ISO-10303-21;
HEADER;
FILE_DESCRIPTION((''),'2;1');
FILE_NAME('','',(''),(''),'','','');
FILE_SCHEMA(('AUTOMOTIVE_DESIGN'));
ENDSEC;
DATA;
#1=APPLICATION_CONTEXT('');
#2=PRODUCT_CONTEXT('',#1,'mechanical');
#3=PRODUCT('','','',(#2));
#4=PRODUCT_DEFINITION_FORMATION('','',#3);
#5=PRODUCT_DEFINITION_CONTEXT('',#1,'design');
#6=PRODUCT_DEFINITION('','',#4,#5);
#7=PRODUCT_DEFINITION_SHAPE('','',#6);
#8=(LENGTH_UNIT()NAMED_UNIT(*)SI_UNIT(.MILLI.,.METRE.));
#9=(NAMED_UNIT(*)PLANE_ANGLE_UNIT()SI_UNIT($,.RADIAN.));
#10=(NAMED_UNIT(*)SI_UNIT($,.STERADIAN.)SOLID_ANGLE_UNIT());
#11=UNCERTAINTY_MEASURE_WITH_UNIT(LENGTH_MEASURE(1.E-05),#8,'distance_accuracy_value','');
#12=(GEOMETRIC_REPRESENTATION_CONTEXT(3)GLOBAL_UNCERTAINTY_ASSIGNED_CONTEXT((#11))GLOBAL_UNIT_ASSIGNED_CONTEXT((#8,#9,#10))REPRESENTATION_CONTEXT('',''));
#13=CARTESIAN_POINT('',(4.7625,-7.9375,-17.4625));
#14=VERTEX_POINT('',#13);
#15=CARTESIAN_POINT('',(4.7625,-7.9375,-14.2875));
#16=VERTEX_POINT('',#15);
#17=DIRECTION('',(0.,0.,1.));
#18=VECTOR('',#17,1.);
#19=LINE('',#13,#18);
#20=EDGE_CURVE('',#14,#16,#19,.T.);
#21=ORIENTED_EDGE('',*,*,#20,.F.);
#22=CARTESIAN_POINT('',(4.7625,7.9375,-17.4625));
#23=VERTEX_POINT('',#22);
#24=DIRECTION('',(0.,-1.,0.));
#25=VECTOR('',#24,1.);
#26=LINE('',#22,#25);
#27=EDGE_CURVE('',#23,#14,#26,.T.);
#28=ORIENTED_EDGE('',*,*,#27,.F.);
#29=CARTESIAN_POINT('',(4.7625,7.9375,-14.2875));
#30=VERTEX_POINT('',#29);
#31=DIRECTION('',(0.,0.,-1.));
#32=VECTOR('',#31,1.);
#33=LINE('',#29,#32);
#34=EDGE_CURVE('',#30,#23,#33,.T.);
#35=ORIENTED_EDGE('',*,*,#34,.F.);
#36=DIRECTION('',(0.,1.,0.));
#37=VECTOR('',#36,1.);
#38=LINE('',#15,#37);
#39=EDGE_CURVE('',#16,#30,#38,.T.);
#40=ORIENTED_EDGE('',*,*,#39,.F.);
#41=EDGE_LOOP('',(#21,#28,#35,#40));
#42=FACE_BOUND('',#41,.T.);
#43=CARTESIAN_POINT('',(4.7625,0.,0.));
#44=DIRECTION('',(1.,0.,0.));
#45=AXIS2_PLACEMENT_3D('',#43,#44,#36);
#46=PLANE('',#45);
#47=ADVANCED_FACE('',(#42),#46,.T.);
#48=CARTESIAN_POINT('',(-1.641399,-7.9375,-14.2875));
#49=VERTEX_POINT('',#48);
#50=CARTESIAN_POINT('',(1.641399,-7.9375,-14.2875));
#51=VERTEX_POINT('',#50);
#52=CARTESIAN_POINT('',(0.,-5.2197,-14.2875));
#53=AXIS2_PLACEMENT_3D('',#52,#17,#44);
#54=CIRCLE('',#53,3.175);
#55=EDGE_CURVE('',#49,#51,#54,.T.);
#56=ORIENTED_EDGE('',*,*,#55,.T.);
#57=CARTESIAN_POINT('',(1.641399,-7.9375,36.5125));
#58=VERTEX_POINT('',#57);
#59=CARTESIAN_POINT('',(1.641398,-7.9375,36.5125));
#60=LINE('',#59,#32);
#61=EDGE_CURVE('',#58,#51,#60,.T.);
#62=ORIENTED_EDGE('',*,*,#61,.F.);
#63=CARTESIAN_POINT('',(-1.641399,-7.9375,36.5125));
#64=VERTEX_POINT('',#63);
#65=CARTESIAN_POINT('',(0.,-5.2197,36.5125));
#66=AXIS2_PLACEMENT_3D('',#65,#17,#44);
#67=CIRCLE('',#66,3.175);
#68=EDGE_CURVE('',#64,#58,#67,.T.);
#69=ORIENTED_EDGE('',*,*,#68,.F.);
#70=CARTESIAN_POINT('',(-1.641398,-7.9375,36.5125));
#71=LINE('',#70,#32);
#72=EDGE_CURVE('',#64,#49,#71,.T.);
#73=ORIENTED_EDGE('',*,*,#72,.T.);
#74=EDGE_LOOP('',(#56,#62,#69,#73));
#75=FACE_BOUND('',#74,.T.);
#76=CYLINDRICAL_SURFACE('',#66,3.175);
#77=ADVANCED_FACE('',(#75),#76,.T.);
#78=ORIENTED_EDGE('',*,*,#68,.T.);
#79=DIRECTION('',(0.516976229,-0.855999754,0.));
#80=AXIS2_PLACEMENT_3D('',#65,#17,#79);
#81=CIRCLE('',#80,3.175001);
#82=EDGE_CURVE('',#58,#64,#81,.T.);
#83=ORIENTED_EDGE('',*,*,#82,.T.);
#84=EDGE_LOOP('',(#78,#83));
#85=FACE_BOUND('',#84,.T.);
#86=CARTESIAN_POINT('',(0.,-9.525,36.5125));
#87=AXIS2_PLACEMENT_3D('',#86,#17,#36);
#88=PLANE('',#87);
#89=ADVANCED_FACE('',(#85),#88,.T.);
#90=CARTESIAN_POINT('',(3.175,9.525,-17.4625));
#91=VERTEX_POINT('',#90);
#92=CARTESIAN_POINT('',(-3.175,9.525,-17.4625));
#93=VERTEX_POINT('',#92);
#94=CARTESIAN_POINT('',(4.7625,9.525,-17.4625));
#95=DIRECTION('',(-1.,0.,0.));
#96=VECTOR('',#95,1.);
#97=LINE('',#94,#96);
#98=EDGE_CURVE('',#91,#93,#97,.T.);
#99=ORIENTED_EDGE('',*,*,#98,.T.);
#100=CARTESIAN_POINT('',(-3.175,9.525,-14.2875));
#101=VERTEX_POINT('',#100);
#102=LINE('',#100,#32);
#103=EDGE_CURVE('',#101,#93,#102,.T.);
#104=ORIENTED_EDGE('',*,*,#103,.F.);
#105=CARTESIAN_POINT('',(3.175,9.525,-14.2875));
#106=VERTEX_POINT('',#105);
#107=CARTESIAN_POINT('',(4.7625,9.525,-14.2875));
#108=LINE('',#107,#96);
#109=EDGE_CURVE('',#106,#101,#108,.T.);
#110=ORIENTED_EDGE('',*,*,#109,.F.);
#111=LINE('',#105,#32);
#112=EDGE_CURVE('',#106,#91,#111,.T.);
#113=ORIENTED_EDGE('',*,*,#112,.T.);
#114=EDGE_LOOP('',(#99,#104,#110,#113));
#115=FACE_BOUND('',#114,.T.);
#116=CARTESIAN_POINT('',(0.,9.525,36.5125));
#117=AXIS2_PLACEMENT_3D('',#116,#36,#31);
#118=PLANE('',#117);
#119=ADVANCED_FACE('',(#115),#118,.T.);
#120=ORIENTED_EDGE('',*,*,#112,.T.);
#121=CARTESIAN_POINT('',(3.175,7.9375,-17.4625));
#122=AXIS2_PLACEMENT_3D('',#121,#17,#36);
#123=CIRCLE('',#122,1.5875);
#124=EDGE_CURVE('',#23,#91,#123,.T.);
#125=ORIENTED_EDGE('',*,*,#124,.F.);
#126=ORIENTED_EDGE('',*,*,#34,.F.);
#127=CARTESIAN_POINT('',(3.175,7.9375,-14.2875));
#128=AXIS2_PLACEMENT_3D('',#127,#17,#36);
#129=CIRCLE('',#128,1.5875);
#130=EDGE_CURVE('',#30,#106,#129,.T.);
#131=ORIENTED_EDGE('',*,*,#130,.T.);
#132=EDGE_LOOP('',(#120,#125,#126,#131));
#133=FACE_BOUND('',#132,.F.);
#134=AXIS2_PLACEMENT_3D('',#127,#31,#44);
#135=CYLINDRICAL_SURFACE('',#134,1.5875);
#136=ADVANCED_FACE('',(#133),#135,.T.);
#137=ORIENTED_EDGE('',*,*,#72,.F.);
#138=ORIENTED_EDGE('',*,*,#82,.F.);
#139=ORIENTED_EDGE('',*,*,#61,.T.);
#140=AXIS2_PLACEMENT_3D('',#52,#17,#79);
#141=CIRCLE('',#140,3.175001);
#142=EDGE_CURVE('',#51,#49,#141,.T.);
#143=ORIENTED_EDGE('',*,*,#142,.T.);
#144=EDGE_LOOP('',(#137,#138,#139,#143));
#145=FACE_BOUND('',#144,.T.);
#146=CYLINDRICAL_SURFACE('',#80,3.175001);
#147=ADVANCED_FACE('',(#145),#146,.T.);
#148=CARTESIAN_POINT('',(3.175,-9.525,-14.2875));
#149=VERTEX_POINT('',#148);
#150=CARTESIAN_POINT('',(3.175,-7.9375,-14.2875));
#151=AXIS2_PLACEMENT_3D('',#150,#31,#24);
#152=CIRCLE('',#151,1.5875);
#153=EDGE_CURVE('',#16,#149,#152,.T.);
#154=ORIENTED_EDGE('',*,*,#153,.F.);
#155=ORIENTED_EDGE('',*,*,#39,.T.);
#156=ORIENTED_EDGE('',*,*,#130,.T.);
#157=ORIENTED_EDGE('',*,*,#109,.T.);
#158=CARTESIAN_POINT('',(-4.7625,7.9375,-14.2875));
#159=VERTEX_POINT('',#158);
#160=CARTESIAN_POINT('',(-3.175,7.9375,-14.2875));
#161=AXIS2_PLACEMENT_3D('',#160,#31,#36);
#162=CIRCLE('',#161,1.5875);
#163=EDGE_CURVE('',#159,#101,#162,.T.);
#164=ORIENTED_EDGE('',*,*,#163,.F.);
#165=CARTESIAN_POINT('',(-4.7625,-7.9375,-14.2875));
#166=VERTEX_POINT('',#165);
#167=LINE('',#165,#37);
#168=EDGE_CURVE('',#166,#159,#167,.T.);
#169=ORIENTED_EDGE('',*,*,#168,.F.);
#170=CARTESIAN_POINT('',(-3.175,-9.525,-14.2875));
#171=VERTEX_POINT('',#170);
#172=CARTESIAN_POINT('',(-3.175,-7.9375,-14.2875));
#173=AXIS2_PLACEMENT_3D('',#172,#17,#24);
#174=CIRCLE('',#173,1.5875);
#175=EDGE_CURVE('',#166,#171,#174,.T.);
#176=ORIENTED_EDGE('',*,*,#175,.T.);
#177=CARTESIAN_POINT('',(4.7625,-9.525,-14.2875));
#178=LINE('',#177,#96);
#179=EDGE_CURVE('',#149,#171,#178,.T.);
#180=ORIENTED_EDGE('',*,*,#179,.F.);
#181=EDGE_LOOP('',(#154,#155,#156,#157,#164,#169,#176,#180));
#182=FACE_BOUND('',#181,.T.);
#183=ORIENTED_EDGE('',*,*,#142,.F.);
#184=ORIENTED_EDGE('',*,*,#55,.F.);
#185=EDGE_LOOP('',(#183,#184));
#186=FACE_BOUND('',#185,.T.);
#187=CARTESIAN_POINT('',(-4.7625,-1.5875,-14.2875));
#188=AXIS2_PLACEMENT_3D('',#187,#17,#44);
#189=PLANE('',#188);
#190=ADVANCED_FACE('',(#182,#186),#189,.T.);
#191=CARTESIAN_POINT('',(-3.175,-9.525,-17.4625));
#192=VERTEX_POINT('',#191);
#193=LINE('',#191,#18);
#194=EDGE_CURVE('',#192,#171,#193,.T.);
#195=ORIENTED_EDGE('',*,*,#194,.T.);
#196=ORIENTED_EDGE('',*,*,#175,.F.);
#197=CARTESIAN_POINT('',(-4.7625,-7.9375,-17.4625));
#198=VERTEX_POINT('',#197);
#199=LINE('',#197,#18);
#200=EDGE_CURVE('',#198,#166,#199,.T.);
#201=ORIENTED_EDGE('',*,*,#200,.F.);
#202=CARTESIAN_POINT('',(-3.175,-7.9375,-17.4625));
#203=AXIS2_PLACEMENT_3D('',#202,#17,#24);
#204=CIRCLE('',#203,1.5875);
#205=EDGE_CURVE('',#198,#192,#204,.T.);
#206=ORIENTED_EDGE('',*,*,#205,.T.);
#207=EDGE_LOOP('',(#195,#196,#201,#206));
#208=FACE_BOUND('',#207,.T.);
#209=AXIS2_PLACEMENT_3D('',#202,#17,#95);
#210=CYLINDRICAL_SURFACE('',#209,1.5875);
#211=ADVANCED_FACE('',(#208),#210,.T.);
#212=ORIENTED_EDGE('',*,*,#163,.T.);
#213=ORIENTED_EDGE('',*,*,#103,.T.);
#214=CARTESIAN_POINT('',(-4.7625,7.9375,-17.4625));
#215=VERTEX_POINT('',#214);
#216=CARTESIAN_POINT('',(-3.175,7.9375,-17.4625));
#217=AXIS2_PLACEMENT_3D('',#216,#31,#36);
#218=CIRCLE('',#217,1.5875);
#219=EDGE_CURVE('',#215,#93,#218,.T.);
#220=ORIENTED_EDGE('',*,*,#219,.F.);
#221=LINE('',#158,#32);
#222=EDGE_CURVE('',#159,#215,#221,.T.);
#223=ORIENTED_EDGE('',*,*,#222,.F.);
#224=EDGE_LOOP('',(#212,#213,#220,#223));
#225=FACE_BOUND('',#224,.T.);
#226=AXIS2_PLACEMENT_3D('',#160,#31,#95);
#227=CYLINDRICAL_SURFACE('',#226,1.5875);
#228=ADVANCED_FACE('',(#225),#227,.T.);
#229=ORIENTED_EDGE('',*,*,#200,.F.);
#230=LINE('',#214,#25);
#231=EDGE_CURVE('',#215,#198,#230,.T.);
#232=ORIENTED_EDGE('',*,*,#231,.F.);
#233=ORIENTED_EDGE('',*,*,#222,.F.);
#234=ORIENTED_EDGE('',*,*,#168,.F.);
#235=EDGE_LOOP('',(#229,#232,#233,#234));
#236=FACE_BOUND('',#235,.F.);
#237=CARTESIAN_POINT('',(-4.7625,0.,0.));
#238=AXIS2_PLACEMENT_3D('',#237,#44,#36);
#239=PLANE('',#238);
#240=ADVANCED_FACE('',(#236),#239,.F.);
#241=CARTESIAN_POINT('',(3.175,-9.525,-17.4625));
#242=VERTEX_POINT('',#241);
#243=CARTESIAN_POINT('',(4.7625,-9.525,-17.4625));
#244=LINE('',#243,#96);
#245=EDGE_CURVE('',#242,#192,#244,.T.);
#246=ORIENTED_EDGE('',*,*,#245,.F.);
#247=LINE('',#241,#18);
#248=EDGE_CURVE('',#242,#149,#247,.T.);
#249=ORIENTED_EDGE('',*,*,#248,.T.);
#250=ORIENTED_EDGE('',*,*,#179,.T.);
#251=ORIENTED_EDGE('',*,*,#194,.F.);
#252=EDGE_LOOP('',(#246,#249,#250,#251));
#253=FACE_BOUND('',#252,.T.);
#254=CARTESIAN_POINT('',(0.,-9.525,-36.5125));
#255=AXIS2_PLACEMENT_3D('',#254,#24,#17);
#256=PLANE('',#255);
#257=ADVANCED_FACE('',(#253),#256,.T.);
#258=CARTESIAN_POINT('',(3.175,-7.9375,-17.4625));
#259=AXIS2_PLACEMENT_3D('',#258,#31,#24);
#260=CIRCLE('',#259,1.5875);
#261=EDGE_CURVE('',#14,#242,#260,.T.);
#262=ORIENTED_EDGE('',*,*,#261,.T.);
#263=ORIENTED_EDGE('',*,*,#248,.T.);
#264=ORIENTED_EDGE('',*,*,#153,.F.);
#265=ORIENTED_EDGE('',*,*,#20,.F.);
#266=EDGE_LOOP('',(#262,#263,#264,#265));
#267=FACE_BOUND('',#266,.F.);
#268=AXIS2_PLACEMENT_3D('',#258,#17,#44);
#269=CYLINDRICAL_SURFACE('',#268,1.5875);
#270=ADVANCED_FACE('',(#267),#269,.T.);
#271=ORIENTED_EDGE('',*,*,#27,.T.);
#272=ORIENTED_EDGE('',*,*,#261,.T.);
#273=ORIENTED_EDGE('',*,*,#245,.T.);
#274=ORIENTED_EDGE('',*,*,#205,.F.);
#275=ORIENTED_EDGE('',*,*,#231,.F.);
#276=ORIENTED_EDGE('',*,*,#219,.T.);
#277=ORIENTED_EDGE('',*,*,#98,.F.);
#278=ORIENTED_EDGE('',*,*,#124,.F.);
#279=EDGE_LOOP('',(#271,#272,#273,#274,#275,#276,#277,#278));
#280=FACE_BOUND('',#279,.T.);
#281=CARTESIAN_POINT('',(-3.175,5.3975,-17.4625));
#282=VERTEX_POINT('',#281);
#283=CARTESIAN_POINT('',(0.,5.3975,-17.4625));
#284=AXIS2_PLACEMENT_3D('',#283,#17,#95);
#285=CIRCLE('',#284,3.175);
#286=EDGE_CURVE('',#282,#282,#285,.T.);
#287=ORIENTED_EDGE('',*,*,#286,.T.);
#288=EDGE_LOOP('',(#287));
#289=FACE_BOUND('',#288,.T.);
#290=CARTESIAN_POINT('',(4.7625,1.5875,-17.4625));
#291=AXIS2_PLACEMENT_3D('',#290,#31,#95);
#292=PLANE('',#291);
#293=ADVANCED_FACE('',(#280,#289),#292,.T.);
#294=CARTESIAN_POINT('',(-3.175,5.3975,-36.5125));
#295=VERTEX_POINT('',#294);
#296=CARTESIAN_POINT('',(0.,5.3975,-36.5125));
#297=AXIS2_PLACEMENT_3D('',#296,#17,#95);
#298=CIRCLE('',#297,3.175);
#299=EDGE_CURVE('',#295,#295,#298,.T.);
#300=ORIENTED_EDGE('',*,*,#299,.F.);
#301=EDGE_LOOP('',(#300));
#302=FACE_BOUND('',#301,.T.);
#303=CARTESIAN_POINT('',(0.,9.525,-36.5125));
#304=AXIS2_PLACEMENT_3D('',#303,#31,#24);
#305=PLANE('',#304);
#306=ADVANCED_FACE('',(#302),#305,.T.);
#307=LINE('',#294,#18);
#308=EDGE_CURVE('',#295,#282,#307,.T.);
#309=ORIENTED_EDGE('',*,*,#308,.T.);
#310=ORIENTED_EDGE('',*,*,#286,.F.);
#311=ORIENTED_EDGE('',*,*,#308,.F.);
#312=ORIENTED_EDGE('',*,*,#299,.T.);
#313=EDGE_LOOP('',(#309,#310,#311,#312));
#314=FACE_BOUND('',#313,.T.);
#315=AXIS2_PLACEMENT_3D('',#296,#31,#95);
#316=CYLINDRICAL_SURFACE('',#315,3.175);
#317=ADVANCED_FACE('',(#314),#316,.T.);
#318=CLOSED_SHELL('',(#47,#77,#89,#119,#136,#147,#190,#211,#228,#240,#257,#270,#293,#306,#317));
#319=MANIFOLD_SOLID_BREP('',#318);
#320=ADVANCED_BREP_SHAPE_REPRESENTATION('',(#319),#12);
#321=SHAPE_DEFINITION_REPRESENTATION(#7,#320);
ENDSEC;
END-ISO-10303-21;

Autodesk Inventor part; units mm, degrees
ref_plane "YZ Plane" through (0, 0, 0) normal (1, 0, 0) x (0, 1, 0)
ref_plane "XZ Plane" through (0, 0, 0) normal (0, 1, 0) x (-1, 0, 0)
ref_plane "XY Plane" through (0, 0, 0) normal (0, 0, 1) x (1, 0, 0)
sketch "Sketch1" plane through (0, 0, 0) normal (1, 0, 0) x (0, 1, 0)
  line L0 (-9.525, 36.5125) -> (9.525, 36.5125)
  line L1 (9.525, 36.5125) -> (9.525, -36.5125)
  line L2 (9.525, -36.5125) -> (-9.525, -36.5125)
  line L3 (-9.525, -36.5125) -> (-9.525, 36.5125)
  line L4 (-9.525, 36.5125) -> (9.525, -36.5125) construction
  line L5 (9.525, 36.5125) -> (-9.525, -36.5125) construction
  point P0 (0, 0)
  dimension "d0" = 19.05
  dimension "d1" = 73.025
extrude "Extrusion1" add sketch "Sketch1" along normal mid plane 9.525
sketch "Sketch2" plane through (4.7625, 0, 0) normal (1, 0, 0) x (0, 0, -1)
  line L0 (-36.5125, 9.525) -> (-36.5125, -9.525) projected
  line L1 (-36.5125, 9.525) -> (14.2875, 9.525)
  line L2 (14.2875, 9.525) -> (14.2875, -1.5875)
  line L3 (14.2875, -1.5875) -> (-36.5125, -1.5875)
  line L4 (-36.5125, -1.5875) -> (-36.5125, 9.525)
  line L5 (-36.5125, -9.525) -> (36.5125, -9.525) projected
  point P0 (0, 0)
  dimension "d4" = 50.8
  dimension "d6" = 7.9375
extrude "Extrusion2" cut sketch "Sketch2" against normal blind 9.525
sketch "Sketch3" plane through (4.7625, 0, 0) normal (1, 0, 0) x (0, 0, -1)
  line L0 (36.5125, -9.525) -> (-36.5125, -9.525) projected
  line L1 (36.5125, -9.525) -> (17.4625, -9.525)
  line L2 (17.4625, -9.525) -> (17.4625, 1.5875)
  line L3 (17.4625, 1.5875) -> (36.5125, 1.5875)
  line L4 (36.5125, 1.5875) -> (36.5125, -9.525)
  line L5 (14.2875, 9.525) -> (14.2875, -1.5875) projected
  line L6 (36.5125, 9.525) -> (14.2875, 9.525) projected
  point P0 (0, 0)
  dimension "d9" = 3.175
  dimension "d10" = 7.9375
extrude "Extrusion3" cut sketch "Sketch3" against normal blind 9.525
sketch "Sketch4" plane through (4.7625, 0, 0) normal (1, 0, 0) x (0, 0, -1)
  line L0 (-36.5125, -1.5875) -> (-36.5125, -9.525) projected
  line L1 (-36.5125, -9.525) -> (14.2875, -9.525)
  line L2 (14.2875, -9.525) -> (14.2875, -7.9375)
  line L3 (14.2875, -7.9375) -> (-36.5125, -7.9375)
  line L4 (-36.5125, -7.9375) -> (-36.5125, -9.525)
  point P0 (0, 0)
  dimension "d13" = 50.8
  dimension "d14" = 1.5875
extrude "Extrusion4" cut sketch "Sketch4" against normal blind 9.525
sketch "Sketch5" plane through (4.7625, 0, 0) normal (1, 0, 0) x (0, 0, -1)
  line L0 (36.5125, 9.525) -> (36.5125, 1.5875) projected
  line L1 (36.5125, 9.525) -> (17.4625, 9.525)
  line L2 (17.4625, 9.525) -> (17.4625, 7.9375)
  line L3 (17.4625, 7.9375) -> (36.5125, 7.9375)
  line L4 (36.5125, 7.9375) -> (36.5125, 9.525)
  point P0 (0, 0)
  dimension "d17" = 19.05
  dimension "d18" = 1.5875
extrude "Extrusion5" cut sketch "Sketch5" against normal blind 9.525
sketch "Sketch7" plane through (4.7625, 1.5875, -36.5125) normal (0, 0, -1) x (-1, 0, 0)
  line L0 (9.525, 6.35) -> (9.525, 0) projected
  line L1 (0, 0) -> (0, 6.35) projected
  line L2 (9.525, 6.35) -> (0, 6.35)
  line L3 (0, 6.35) -> (0, 0)
  line L4 (0, 0) -> (9.525, 0)
  line L5 (9.525, 0) -> (9.525, 6.35)
  circle A0 centre (4.7625, 3.81) radius 3.175
  point P0 (4.7625, -1.5875)
  dimension "d26" = 6.35
  dimension "d27" = 4.7625
  dimension "d28" = 3.81
extrude "Extrusion7" add sketch "Sketch7" against normal blind 19.05 contours A0 L2 | L2 A0
sketch "Sketch6" plane through (-4.7625, -1.5875, 36.5125) normal (0, 0, 1) x (1, 0, 0)
  line L0 (9.525, -6.35) -> (0, -6.35) projected
  line L1 (9.525, 0) -> (0, 0) projected
  line L2 (0, -6.35) -> (9.525, -6.35)
  line L3 (9.525, -6.35) -> (9.525, 0)
  line L4 (9.525, 0) -> (0, 0)
  line L5 (0, 0) -> (0, -6.35)
  circle A0 centre (4.7625, -3.6322) radius 3.175
  point P0 (4.7625, 1.5875)
  dimension "d21" = 6.35
  dimension "d22" = 3.6322
  dimension "d23" = 4.7625
extrude "Extrusion6" add sketch "Sketch6" against normal blind 50.8
fillet "Fillet1" radius 1.5875 4 edges at (4.7625, 9.525, -15.875) (-4.7625, 9.525, -15.875) (4.7625, -9.525, -15.875) (-4.7625, -9.525, -15.875)
sketch "Sketch8" plane through (4.7625, 1.5875, -36.5125) normal (0, 0, -1) x (-1, 0, 0)
  arc A0 (6.6675, 6.35) -> (2.8575, 6.35) centre (4.7625, 3.81) ccw projected
  circle A1 centre (4.7625, 3.81) radius 3.175
  line L0 (0, 6.35) -> (2.8575, 6.35) projected
  line L1 (2.8575, 6.35) -> (0, 6.35)
  line L2 (0, 0) -> (0, 6.35) projected
  line L3 (0, 0) -> (9.525, 0) projected
  line L4 (9.525, 6.35) -> (9.525, 0) projected
  line L5 (2.8575, 6.35) -> (0, 6.35) projected
  line L6 (0, 0) -> (0, 6.35) projected
  line L7 (0, 0) -> (9.525, 0) projected
  line L8 (9.525, 6.35) -> (9.525, 0) projected
  line L9 (9.525, 6.35) -> (6.6675, 6.35) projected
  arc A2 (6.6675, 6.35) -> (2.8575, 6.35) centre (4.7625, 3.81) ccw projected
  line L10 (0, 0) -> (9.525, 0) projected
  line L11 (0, 6.35) -> (0, 0)
  line L12 (0, 0) -> (9.525, 0)
  line L13 (9.525, 0) -> (9.525, 6.35)
  point P0 (4.7625, -1.5875)
extrude "Extrusion8" cut sketch "Sketch8" against normal blind 19.05 contours L9 L4 L3 L2 L0 A1
sketch "Sketch9" plane through (-4.7625, -1.5875, 36.5125) normal (0, 0, 1) x (1, 0, 0)
  arc A0 (3.1211, -6.35) -> (6.4039, -6.35) centre (4.7625, -3.6322) ccw projected
  line L0 (0, -6.35) -> (3.1211, -6.35) projected
  arc A1 (3.1211, -6.35) -> (6.4039, -6.35) centre (4.7625, -3.6322) ccw projected
  line L1 (6.4039, -6.35) -> (9.525, -6.35) projected
  line L2 (9.525, 0) -> (9.525, -6.35) projected
  line L3 (9.525, 0) -> (0, 0) projected
  line L4 (0, -6.35) -> (0, 0) projected
  arc A2 (6.4039, -6.35) -> (3.1211, -6.35) centre (4.7625, -3.6322) ccw
  arc A3 (3.1211, -6.35) -> (6.4039, -6.35) centre (4.7625, -3.6322) ccw projected
  line L5 (0, -6.35) -> (0, 0) projected
  line L6 (3.1211, -6.35) -> (0, -6.35)
  line L7 (0, -6.35) -> (0, 0)
  line L8 (9.525, 0) -> (0, 0) projected
  line L9 (0, 0) -> (9.525, 0)
  line L10 (9.525, 0) -> (9.525, -6.35) projected
  line L11 (9.525, 0) -> (9.525, -6.35)
  line L12 (9.525, -6.35) -> (6.4039, -6.35) projected
  line L13 (9.525, -6.35) -> (6.4039, -6.35)
  point P0 (4.7625, 1.5875)
extrude "Extrusion9" cut sketch "Sketch9" against normal blind 50.8 contours L0 L4 L3 L2 L1 A2
properties part number "CrankShaft"
